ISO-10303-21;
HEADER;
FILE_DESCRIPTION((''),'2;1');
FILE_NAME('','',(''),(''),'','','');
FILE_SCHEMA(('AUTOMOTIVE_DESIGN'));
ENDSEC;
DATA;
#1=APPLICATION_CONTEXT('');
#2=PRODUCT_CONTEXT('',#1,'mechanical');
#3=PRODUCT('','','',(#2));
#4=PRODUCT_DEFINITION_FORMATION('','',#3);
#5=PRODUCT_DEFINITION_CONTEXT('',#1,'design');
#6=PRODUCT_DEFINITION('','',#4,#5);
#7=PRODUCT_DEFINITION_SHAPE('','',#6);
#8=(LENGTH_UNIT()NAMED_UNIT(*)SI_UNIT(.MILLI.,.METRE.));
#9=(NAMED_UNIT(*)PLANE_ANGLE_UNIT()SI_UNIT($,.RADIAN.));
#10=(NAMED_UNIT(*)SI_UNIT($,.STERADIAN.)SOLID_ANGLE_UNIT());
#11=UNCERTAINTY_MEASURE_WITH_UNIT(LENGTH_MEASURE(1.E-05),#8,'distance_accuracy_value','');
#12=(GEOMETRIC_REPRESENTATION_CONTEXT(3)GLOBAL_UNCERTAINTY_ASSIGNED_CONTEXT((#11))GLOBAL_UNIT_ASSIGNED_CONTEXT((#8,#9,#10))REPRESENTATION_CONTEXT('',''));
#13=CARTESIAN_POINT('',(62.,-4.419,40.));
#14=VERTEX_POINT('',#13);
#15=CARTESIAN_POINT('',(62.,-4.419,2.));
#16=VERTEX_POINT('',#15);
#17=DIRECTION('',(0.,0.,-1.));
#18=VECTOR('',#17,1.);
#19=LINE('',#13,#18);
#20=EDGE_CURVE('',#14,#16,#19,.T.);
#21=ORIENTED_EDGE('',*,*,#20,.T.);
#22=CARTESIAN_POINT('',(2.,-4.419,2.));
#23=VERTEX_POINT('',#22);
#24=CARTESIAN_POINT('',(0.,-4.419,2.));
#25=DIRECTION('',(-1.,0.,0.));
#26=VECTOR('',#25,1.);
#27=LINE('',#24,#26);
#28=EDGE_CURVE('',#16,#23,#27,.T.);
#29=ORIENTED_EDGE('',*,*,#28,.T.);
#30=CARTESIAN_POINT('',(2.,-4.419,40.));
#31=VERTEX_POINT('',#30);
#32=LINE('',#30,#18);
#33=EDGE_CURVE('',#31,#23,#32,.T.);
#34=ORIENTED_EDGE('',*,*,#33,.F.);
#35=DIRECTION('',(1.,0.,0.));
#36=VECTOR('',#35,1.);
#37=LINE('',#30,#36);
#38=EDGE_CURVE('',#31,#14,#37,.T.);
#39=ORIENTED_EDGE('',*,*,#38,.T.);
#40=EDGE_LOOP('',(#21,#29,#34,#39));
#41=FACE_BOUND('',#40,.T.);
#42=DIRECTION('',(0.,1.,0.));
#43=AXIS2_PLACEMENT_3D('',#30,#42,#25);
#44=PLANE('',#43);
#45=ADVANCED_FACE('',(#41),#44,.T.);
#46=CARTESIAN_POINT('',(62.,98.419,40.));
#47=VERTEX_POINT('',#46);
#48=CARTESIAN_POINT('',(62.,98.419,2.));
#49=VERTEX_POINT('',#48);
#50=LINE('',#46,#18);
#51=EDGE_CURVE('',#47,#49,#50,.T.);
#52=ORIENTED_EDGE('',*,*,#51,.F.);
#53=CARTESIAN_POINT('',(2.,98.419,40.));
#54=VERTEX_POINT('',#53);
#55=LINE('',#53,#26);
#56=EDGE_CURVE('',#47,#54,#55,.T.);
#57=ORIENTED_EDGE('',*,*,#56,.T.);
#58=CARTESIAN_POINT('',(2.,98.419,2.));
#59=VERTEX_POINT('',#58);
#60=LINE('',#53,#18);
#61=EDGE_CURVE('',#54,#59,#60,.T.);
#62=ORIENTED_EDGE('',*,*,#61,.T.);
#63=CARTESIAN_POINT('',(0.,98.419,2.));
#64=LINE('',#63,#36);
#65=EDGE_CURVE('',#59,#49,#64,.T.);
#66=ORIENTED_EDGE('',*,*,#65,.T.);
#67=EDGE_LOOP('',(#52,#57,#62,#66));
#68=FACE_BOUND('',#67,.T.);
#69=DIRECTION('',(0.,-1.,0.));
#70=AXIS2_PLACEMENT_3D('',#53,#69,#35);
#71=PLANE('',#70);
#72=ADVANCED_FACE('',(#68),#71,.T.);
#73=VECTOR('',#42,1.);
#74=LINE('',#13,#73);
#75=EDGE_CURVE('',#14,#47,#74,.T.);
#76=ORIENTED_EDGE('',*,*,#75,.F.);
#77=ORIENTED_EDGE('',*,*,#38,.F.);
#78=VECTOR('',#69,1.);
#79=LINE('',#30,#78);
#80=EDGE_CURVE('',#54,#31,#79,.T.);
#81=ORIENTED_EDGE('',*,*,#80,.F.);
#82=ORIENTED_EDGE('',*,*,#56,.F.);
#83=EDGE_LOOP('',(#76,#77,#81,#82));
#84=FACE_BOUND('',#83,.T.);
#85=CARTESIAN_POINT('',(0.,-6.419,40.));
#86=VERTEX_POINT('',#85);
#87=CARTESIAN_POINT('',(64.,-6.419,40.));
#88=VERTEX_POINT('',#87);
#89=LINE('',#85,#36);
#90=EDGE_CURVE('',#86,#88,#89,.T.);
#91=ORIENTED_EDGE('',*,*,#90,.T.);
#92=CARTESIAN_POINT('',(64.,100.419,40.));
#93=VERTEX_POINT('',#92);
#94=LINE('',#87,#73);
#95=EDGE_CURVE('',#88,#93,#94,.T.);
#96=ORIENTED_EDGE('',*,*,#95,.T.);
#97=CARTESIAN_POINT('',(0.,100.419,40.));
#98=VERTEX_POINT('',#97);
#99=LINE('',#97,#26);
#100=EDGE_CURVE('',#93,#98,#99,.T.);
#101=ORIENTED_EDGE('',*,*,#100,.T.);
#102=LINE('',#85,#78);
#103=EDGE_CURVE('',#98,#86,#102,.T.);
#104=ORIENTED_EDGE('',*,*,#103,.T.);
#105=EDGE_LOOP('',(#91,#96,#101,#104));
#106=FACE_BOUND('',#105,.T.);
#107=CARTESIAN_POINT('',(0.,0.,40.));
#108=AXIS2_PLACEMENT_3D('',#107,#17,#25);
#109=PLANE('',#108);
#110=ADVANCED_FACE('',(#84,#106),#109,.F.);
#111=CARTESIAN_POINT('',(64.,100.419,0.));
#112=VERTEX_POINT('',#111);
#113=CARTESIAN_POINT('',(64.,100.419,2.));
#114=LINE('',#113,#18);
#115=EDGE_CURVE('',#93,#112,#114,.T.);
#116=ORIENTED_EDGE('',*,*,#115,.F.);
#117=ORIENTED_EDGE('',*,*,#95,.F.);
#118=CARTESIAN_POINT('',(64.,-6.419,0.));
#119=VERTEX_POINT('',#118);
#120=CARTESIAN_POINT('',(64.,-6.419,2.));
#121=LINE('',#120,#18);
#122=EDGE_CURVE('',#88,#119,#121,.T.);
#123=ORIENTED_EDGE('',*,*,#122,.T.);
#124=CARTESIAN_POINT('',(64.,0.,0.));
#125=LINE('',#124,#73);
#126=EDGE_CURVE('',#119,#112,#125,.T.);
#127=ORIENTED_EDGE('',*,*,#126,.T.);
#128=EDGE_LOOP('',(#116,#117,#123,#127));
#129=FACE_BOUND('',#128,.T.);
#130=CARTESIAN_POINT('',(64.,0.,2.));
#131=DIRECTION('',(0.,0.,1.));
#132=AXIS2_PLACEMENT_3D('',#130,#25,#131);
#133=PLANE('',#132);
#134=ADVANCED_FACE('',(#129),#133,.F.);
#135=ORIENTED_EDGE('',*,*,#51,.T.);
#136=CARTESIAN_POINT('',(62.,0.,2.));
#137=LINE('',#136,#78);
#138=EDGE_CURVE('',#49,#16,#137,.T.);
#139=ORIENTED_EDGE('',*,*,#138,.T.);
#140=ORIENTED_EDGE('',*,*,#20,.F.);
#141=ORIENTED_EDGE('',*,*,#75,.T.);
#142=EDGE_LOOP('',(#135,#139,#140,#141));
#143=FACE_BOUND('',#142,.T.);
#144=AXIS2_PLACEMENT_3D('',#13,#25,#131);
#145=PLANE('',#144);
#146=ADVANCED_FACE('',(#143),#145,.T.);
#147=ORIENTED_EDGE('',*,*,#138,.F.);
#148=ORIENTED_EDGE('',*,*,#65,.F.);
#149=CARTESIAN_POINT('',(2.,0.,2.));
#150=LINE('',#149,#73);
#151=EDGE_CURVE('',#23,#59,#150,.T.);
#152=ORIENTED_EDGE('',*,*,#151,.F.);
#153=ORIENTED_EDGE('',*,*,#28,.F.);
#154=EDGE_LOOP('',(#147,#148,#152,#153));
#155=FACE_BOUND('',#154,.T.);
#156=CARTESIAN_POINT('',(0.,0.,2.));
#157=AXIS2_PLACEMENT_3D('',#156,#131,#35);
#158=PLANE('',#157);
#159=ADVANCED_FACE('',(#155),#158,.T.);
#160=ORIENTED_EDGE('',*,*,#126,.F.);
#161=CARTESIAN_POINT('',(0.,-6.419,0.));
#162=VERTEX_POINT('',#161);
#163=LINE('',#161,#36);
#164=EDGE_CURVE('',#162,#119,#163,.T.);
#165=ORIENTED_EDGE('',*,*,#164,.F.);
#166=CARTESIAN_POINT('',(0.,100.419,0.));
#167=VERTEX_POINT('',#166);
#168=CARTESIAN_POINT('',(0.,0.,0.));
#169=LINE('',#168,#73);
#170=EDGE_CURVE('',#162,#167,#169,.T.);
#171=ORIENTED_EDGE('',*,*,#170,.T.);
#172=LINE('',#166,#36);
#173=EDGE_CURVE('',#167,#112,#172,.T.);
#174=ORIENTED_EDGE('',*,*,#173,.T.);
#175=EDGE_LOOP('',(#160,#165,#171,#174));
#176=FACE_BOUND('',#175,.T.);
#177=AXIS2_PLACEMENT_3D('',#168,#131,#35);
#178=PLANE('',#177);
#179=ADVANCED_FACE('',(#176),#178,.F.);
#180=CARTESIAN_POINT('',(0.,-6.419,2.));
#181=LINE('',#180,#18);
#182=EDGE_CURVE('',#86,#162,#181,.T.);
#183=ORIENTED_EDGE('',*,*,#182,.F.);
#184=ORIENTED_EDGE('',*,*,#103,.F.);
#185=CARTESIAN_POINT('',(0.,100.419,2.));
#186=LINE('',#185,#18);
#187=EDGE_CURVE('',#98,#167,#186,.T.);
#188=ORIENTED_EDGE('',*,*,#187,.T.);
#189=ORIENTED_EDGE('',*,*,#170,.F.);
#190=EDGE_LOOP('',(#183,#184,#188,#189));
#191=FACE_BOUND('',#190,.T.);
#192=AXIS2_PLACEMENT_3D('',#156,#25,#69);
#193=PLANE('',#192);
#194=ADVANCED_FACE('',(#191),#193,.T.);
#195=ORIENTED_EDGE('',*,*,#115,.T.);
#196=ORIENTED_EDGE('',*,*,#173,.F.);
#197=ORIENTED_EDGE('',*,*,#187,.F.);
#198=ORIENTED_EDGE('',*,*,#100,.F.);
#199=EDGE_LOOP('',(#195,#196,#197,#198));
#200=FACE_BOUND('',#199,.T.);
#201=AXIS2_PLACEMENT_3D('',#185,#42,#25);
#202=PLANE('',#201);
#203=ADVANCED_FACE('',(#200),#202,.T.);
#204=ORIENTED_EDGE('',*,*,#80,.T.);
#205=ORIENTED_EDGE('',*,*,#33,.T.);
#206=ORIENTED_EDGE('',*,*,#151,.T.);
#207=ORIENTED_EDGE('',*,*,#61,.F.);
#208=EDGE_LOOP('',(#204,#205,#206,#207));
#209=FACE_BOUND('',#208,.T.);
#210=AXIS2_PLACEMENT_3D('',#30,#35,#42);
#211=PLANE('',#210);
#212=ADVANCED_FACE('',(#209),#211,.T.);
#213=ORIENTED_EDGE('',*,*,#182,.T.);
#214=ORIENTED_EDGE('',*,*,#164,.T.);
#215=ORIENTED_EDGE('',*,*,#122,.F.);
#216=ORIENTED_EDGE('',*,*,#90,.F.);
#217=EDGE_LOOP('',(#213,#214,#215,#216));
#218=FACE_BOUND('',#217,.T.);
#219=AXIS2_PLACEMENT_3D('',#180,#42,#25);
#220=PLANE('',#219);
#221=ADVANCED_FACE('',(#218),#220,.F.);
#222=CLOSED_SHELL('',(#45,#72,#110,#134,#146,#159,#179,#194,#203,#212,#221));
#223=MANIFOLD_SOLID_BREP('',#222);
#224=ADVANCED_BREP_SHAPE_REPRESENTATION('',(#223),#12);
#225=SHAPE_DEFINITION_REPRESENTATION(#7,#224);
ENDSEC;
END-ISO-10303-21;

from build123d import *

# Parameters (mm, degrees)
SKETCH1_W           = 64
SKETCH1_H           = 106.838
BOSS_EXTRUDE1_DEPTH = 2
SKETCH1_3_W         = 64
SKETCH1_3_H         = 106.838
SKETCH1_3_W_2       = 60
SKETCH1_3_H_2       = 102.838
BOSS_EXTRUDE2_DEPTH = 40


with BuildPart() as part:
    # Sketch1 → Boss-Extrude1 (new body)
    with BuildSketch(Plane.XY):
        with Locations((32, 47)):
            Rectangle(SKETCH1_W, SKETCH1_H)
    extrude(amount=BOSS_EXTRUDE1_DEPTH)

    # Sketch1<3> → Boss-Extrude2 (add)
    with BuildSketch(Plane.XY):
        with Locations((32, 47)):
            Rectangle(SKETCH1_3_W, SKETCH1_3_H)
        with Locations((32, 47)):
            Rectangle(SKETCH1_3_W_2, SKETCH1_3_H_2, mode=Mode.SUBTRACT)
    extrude(amount=BOSS_EXTRUDE2_DEPTH)


solid = part.part
